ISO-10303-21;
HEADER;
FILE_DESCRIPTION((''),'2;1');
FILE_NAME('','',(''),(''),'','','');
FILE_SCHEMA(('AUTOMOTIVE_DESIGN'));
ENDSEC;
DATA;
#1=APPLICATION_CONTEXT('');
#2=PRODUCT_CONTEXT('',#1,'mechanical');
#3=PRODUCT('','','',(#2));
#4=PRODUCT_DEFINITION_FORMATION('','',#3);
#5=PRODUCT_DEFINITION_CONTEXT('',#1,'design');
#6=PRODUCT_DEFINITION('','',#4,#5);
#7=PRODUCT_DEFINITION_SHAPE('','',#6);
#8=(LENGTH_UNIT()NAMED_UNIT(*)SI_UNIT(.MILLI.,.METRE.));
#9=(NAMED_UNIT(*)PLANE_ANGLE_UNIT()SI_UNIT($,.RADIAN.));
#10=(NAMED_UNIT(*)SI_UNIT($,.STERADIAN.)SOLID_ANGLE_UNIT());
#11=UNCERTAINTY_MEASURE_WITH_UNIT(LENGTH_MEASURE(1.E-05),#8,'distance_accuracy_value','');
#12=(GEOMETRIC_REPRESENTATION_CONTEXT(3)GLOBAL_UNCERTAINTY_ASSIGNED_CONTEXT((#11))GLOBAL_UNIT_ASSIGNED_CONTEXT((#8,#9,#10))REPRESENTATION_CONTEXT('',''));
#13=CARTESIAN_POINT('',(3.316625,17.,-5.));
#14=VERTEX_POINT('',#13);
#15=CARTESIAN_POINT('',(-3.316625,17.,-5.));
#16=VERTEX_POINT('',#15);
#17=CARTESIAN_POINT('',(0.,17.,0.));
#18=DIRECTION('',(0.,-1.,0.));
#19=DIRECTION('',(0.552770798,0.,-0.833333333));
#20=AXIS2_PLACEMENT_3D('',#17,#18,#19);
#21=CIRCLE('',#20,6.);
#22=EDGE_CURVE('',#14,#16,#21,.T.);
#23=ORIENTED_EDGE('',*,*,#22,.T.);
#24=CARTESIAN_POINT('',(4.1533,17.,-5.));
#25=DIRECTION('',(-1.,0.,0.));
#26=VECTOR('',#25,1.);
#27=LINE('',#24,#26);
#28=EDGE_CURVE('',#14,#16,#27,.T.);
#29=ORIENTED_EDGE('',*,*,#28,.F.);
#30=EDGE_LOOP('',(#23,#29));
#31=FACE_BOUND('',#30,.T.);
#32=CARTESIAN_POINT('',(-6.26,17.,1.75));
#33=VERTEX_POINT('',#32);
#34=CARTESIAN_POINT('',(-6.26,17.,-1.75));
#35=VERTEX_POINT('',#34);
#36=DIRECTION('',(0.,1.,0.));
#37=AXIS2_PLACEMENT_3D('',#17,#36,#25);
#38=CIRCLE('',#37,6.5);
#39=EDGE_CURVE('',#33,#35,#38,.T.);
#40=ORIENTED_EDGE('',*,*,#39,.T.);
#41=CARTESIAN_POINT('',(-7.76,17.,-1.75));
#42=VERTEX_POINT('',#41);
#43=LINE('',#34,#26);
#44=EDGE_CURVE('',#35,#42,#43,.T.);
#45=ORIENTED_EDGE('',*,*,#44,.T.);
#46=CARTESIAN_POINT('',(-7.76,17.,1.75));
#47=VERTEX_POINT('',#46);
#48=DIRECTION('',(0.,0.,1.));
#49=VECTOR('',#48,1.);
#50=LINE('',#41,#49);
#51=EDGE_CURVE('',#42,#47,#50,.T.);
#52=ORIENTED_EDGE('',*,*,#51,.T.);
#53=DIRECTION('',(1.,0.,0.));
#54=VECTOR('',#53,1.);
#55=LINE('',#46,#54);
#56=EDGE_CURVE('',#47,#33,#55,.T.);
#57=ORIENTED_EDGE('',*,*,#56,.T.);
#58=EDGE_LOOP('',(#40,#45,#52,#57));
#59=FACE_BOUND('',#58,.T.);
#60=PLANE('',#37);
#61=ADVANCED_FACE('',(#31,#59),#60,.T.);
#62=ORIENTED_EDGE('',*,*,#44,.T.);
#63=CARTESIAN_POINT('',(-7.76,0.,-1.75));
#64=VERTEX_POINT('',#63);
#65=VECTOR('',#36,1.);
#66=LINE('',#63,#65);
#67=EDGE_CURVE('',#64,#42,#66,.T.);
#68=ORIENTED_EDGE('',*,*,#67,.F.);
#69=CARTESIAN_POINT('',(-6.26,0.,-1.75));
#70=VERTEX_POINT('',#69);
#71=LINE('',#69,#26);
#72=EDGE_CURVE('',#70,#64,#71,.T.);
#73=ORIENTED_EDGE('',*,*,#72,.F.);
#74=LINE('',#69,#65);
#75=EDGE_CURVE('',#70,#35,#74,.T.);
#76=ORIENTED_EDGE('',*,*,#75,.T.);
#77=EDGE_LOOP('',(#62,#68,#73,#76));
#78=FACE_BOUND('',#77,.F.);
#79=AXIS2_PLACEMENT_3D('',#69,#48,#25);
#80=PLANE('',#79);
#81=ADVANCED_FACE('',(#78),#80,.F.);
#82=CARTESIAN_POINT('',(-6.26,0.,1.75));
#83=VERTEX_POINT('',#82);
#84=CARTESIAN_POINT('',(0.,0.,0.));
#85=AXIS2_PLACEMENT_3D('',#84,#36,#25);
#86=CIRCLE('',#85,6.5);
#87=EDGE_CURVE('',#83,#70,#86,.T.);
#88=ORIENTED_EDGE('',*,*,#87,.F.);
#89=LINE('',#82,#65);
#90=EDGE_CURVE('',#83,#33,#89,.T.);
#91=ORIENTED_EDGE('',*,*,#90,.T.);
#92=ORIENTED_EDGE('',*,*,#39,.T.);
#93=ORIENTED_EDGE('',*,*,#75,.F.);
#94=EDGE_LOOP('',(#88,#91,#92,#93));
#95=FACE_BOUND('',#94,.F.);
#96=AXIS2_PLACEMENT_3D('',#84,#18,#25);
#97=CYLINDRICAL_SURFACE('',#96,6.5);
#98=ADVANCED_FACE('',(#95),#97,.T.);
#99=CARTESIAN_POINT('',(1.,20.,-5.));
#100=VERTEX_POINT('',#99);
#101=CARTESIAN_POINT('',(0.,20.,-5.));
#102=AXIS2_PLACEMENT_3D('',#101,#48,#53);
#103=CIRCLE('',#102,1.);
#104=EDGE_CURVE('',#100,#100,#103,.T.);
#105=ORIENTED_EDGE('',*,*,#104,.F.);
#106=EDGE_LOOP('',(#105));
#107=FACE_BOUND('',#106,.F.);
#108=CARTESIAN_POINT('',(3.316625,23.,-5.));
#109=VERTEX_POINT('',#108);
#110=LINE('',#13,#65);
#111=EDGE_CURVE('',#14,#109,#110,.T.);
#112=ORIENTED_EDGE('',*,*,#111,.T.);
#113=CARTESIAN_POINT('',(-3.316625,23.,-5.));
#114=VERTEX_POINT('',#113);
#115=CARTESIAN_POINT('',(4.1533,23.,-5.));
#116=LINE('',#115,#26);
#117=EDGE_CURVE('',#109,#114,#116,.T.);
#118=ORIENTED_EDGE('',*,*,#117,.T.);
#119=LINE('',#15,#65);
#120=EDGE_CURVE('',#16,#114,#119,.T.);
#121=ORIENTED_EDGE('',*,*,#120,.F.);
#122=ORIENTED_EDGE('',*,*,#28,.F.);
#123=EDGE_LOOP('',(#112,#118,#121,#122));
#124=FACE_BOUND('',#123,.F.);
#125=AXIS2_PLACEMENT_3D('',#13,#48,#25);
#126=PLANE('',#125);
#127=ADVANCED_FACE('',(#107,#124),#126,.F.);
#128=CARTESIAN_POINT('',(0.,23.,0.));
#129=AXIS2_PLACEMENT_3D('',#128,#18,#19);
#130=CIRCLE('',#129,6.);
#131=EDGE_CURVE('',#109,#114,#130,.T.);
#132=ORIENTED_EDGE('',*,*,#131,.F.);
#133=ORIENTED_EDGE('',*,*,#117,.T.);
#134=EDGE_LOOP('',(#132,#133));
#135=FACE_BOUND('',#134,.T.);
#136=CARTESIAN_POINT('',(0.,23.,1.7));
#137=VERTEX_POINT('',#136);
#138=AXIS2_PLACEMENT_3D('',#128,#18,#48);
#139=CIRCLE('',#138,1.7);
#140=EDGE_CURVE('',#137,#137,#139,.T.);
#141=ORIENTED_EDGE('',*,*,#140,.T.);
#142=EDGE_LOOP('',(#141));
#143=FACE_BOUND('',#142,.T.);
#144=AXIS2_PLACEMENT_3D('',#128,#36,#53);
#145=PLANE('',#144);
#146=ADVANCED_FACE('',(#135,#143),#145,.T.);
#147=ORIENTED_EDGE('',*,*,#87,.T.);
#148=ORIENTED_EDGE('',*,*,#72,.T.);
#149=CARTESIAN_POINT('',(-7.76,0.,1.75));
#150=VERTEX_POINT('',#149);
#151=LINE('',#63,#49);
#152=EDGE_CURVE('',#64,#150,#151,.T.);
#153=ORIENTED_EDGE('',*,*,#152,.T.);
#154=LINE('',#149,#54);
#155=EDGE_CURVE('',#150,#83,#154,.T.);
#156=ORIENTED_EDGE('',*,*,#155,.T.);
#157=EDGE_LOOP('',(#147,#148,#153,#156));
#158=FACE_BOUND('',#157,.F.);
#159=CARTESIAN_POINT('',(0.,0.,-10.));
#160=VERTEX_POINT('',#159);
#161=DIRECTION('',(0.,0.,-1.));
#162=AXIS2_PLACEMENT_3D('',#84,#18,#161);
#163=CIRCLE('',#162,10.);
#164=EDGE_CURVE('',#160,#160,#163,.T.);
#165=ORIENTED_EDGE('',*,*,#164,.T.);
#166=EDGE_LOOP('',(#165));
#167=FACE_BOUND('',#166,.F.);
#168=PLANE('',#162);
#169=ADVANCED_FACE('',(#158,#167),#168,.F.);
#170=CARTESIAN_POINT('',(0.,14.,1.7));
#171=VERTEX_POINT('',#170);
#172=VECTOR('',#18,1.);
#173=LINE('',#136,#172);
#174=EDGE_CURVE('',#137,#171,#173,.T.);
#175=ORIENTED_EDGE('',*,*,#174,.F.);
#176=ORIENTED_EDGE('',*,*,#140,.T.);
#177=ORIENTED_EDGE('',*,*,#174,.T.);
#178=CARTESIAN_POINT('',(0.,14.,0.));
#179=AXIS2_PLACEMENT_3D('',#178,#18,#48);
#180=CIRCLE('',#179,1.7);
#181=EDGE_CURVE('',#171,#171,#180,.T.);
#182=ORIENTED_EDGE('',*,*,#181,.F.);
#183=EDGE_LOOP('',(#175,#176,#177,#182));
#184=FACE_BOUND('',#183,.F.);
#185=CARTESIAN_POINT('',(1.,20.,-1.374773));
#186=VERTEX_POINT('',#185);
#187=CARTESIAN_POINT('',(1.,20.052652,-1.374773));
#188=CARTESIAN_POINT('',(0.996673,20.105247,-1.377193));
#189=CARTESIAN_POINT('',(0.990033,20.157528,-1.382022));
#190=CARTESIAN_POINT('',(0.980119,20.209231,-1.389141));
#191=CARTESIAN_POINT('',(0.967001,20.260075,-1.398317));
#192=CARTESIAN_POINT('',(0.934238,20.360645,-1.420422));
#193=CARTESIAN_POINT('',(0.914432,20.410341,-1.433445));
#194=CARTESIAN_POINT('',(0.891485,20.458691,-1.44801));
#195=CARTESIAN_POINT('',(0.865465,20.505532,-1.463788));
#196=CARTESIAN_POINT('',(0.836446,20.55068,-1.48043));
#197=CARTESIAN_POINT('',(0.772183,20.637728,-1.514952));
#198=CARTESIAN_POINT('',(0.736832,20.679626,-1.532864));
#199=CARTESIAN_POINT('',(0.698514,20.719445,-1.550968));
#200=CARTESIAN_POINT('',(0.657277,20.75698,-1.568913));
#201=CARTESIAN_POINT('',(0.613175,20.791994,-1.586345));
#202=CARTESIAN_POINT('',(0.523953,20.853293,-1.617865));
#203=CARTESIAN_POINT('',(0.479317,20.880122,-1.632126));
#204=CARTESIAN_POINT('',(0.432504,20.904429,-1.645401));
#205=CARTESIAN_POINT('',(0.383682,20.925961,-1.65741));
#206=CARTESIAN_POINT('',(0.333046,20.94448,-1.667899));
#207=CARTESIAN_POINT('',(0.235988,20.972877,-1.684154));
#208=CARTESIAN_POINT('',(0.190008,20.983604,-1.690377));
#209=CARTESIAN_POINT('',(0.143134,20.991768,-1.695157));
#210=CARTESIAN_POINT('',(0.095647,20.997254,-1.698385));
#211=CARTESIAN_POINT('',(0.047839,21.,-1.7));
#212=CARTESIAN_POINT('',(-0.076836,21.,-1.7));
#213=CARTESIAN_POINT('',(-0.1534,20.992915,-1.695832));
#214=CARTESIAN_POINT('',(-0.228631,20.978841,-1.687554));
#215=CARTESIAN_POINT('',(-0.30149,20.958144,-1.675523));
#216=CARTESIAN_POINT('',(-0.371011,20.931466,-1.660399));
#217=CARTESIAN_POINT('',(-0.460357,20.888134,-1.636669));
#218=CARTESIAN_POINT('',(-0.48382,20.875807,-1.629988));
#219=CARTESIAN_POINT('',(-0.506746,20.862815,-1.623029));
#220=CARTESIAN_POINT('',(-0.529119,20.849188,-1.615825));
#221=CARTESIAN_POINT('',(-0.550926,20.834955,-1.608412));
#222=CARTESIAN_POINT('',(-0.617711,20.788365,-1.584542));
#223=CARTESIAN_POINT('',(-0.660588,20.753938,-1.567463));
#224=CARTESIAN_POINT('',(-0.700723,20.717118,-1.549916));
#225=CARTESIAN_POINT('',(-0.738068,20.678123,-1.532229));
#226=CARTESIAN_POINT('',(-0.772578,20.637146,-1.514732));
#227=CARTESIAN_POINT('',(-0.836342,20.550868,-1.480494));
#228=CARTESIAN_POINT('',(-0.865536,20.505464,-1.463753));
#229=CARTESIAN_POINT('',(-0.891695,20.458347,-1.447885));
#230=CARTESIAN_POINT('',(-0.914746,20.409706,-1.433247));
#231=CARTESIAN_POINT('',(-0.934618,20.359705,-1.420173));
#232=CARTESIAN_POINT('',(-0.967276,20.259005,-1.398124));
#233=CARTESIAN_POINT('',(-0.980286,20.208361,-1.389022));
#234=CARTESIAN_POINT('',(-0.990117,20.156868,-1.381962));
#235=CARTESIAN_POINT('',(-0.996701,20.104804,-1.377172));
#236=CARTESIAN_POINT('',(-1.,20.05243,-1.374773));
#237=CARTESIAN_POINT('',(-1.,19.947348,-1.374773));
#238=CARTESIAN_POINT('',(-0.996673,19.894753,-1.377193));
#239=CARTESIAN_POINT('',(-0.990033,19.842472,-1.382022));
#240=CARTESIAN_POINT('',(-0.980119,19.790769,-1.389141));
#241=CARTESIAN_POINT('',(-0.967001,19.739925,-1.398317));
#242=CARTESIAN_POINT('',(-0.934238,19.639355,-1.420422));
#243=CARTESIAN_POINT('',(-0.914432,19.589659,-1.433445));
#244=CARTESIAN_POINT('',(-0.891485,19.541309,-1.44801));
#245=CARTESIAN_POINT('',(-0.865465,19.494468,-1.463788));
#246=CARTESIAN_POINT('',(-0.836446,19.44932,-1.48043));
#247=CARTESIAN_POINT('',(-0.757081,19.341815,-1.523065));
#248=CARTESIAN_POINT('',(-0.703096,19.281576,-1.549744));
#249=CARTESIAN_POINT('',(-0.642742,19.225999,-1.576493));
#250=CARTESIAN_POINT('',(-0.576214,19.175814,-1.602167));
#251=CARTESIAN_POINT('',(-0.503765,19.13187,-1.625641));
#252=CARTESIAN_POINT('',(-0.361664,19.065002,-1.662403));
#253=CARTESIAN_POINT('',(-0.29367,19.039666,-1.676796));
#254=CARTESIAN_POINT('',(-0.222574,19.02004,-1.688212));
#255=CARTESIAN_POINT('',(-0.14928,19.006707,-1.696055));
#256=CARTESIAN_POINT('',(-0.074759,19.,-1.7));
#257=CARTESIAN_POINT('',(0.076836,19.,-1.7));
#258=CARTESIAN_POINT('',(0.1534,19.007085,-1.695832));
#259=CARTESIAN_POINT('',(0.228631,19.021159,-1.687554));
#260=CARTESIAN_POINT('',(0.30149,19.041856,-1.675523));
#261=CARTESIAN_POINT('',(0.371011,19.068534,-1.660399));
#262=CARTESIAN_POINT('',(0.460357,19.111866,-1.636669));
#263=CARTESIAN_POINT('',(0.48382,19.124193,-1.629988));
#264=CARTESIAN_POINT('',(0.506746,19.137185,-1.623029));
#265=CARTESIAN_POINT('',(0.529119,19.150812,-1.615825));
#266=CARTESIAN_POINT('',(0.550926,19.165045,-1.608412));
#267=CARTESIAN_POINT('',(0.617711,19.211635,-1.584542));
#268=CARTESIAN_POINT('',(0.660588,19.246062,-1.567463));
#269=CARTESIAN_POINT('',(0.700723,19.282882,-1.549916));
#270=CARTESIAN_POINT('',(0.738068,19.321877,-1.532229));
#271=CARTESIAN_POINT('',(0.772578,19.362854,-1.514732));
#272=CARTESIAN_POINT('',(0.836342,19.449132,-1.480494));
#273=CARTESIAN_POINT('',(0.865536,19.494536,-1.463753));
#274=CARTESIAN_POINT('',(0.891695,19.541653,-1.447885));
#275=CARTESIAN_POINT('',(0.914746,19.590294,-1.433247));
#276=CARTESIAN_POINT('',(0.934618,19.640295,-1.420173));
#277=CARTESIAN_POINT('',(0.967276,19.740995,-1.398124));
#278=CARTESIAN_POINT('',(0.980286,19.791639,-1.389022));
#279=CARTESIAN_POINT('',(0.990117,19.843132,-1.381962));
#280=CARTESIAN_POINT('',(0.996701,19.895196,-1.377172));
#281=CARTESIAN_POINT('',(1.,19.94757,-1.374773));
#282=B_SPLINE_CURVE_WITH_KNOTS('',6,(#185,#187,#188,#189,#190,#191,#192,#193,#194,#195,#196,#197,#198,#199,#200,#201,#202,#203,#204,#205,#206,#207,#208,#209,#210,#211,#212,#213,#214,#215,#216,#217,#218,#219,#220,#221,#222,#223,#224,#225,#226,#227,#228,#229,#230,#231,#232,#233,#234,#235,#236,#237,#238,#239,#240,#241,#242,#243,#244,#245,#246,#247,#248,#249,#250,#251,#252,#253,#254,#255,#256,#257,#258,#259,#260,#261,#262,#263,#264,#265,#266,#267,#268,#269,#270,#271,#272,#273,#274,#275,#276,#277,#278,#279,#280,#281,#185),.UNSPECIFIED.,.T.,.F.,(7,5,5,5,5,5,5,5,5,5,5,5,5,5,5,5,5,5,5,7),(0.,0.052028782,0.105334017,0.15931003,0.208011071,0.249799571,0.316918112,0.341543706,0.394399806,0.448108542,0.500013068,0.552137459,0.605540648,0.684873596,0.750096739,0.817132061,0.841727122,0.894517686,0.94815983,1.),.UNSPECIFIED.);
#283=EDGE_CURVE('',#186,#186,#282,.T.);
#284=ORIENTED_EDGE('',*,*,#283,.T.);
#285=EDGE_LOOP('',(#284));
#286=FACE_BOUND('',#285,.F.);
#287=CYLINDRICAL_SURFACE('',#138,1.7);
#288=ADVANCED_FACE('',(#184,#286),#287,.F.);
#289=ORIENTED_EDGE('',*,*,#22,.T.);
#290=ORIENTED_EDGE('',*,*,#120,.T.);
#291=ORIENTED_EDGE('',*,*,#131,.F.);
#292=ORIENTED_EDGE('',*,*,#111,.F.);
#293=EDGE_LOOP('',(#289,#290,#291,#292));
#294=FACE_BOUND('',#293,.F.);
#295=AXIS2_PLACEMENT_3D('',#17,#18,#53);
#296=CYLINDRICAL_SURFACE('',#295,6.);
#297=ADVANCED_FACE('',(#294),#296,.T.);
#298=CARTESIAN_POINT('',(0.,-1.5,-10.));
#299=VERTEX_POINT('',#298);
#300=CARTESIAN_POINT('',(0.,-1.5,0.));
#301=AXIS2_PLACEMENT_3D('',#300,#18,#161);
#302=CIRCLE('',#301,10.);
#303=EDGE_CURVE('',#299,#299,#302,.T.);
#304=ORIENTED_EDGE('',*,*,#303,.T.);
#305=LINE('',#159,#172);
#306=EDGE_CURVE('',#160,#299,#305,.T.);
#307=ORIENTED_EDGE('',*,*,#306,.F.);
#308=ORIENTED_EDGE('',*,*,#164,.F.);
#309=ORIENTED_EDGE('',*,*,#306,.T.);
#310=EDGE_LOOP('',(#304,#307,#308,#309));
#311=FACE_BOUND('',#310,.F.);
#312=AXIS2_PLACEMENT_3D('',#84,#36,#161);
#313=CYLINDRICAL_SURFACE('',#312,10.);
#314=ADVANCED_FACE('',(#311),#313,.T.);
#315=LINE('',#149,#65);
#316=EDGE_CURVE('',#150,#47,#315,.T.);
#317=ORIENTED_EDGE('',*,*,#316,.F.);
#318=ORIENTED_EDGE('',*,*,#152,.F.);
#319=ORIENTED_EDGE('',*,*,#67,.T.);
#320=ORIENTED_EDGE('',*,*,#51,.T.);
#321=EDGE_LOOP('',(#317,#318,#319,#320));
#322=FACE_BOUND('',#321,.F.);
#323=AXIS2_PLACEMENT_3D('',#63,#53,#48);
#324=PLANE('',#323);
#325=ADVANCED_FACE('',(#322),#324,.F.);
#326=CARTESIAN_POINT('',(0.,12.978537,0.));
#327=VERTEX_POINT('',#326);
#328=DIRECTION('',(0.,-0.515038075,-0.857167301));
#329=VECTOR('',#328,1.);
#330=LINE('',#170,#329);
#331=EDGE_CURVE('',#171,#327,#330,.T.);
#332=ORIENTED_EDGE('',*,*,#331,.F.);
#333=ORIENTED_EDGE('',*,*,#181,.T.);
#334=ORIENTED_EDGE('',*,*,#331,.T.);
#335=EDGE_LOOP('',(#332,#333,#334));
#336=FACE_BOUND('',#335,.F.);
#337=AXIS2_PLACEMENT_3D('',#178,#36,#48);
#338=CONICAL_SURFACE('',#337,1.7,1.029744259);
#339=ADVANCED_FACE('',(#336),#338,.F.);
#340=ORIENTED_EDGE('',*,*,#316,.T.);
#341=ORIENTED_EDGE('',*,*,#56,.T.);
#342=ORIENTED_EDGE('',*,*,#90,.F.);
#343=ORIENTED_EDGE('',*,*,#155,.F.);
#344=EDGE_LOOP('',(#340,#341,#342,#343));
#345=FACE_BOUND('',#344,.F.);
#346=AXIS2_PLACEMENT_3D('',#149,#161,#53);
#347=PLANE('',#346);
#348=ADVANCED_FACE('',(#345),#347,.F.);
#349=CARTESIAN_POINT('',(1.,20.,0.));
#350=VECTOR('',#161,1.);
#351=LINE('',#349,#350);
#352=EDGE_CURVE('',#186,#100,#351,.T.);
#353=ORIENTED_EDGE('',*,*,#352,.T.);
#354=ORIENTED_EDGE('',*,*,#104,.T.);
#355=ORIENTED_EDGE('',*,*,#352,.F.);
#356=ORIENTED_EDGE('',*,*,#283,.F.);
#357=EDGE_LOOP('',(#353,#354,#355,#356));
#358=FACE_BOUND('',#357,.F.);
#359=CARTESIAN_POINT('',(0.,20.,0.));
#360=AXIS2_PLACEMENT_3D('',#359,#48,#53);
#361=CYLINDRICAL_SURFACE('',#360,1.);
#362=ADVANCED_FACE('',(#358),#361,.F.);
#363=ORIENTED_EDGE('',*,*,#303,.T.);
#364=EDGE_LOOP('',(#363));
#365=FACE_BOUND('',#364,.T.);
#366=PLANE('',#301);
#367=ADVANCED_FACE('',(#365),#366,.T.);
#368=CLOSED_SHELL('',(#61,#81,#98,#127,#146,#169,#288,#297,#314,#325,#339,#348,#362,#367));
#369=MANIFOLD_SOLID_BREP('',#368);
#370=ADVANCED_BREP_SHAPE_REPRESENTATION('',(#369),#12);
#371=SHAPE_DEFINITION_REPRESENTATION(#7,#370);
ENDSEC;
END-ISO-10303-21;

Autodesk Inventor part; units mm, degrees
ref_plane "YZ Plane" through (0, 0, 0) normal (1, 0, 0) x (0, 1, 0)
ref_plane "XZ Plane" through (0, 0, 0) normal (0, 1, 0) x (-1, 0, 0)
ref_plane "XY Plane" through (0, 0, 0) normal (0, 0, 1) x (1, 0, 0)
sketch "Sketch1" plane through (0, 0, 0) normal (0, 1, 0) x (-1, 0, 0)
  circle A0 centre (0, 0) radius 6.5
  line L0 (7.76, 1.75) -> (6.26, 1.75)
  line L1 (6.26, 1.75) -> (6.26, -1.75)
  line L2 (6.26, -1.75) -> (7.76, -1.75)
  line L3 (7.76, -1.75) -> (7.76, 1.75)
  dimension "d0" = 13
  dimension "d8" = 1.5
  dimension "d9" = 3.5
extrude "Extrusion1" add sketch "Sketch1" along normal blind 17
sketch "Sketch2" plane through (0, 0, 0) normal (0, -1, 0) x (0, 0, -1)
  circle A0 centre (0, 0) radius 10
  dimension "d3" = 20
extrude "Extrusion2" add sketch "Sketch2" along normal blind 1.5
sketch "Sketch4" plane through (0, 17, 0) normal (0, 1, 0) x (1, 0, 0)
  circle A0 centre (0, 0) radius 6
  arc A1 (-6.26, -1.75) -> (-6.26, 1.75) centre (0, 0) ccw projected
  line L0 (4.1533, 5) -> (-4.1533, 5)
  point P0 (3.3166, 5)
  point P1 (-3.3166, 5)
  dimension "d10" = 12
  dimension "d27" = 5
extrude "Extrusion3" add sketch "Sketch4" along normal blind 6 contours A0 L0 picked at (-0.7721, -1.8319)
sketch "Sketch5" plane through (0, 23, 0) normal (0, 1, 0) x (1, 0, 0)
  point P0 (0, 0)
  point P1 (0, 0)
hole "Hole1" at (0, 23, 0) direction (0, -1, 0) diameter 3.4 depth 9 tip angle 118 clearance for "Hex Head Cap Screw ISO 24017" size "M3" standard "ISO"
sketch "Sketch6" plane through (0, 0, 0) normal (0, 0, 1) x (1, 0, 0)
  circle A0 centre (0, 20) radius 1
  line L0 (6, 23) -> (-6, 23) projected
  line L1 (0, -4.6) -> (0, 27.6) projected
  point P0 (0, 0)
  dimension "d21" = 2
  dimension "d26" = 3
extrude "Extrusion4" cut sketch "Sketch6" against normal up to surface
properties part number "wheel_adapt"
